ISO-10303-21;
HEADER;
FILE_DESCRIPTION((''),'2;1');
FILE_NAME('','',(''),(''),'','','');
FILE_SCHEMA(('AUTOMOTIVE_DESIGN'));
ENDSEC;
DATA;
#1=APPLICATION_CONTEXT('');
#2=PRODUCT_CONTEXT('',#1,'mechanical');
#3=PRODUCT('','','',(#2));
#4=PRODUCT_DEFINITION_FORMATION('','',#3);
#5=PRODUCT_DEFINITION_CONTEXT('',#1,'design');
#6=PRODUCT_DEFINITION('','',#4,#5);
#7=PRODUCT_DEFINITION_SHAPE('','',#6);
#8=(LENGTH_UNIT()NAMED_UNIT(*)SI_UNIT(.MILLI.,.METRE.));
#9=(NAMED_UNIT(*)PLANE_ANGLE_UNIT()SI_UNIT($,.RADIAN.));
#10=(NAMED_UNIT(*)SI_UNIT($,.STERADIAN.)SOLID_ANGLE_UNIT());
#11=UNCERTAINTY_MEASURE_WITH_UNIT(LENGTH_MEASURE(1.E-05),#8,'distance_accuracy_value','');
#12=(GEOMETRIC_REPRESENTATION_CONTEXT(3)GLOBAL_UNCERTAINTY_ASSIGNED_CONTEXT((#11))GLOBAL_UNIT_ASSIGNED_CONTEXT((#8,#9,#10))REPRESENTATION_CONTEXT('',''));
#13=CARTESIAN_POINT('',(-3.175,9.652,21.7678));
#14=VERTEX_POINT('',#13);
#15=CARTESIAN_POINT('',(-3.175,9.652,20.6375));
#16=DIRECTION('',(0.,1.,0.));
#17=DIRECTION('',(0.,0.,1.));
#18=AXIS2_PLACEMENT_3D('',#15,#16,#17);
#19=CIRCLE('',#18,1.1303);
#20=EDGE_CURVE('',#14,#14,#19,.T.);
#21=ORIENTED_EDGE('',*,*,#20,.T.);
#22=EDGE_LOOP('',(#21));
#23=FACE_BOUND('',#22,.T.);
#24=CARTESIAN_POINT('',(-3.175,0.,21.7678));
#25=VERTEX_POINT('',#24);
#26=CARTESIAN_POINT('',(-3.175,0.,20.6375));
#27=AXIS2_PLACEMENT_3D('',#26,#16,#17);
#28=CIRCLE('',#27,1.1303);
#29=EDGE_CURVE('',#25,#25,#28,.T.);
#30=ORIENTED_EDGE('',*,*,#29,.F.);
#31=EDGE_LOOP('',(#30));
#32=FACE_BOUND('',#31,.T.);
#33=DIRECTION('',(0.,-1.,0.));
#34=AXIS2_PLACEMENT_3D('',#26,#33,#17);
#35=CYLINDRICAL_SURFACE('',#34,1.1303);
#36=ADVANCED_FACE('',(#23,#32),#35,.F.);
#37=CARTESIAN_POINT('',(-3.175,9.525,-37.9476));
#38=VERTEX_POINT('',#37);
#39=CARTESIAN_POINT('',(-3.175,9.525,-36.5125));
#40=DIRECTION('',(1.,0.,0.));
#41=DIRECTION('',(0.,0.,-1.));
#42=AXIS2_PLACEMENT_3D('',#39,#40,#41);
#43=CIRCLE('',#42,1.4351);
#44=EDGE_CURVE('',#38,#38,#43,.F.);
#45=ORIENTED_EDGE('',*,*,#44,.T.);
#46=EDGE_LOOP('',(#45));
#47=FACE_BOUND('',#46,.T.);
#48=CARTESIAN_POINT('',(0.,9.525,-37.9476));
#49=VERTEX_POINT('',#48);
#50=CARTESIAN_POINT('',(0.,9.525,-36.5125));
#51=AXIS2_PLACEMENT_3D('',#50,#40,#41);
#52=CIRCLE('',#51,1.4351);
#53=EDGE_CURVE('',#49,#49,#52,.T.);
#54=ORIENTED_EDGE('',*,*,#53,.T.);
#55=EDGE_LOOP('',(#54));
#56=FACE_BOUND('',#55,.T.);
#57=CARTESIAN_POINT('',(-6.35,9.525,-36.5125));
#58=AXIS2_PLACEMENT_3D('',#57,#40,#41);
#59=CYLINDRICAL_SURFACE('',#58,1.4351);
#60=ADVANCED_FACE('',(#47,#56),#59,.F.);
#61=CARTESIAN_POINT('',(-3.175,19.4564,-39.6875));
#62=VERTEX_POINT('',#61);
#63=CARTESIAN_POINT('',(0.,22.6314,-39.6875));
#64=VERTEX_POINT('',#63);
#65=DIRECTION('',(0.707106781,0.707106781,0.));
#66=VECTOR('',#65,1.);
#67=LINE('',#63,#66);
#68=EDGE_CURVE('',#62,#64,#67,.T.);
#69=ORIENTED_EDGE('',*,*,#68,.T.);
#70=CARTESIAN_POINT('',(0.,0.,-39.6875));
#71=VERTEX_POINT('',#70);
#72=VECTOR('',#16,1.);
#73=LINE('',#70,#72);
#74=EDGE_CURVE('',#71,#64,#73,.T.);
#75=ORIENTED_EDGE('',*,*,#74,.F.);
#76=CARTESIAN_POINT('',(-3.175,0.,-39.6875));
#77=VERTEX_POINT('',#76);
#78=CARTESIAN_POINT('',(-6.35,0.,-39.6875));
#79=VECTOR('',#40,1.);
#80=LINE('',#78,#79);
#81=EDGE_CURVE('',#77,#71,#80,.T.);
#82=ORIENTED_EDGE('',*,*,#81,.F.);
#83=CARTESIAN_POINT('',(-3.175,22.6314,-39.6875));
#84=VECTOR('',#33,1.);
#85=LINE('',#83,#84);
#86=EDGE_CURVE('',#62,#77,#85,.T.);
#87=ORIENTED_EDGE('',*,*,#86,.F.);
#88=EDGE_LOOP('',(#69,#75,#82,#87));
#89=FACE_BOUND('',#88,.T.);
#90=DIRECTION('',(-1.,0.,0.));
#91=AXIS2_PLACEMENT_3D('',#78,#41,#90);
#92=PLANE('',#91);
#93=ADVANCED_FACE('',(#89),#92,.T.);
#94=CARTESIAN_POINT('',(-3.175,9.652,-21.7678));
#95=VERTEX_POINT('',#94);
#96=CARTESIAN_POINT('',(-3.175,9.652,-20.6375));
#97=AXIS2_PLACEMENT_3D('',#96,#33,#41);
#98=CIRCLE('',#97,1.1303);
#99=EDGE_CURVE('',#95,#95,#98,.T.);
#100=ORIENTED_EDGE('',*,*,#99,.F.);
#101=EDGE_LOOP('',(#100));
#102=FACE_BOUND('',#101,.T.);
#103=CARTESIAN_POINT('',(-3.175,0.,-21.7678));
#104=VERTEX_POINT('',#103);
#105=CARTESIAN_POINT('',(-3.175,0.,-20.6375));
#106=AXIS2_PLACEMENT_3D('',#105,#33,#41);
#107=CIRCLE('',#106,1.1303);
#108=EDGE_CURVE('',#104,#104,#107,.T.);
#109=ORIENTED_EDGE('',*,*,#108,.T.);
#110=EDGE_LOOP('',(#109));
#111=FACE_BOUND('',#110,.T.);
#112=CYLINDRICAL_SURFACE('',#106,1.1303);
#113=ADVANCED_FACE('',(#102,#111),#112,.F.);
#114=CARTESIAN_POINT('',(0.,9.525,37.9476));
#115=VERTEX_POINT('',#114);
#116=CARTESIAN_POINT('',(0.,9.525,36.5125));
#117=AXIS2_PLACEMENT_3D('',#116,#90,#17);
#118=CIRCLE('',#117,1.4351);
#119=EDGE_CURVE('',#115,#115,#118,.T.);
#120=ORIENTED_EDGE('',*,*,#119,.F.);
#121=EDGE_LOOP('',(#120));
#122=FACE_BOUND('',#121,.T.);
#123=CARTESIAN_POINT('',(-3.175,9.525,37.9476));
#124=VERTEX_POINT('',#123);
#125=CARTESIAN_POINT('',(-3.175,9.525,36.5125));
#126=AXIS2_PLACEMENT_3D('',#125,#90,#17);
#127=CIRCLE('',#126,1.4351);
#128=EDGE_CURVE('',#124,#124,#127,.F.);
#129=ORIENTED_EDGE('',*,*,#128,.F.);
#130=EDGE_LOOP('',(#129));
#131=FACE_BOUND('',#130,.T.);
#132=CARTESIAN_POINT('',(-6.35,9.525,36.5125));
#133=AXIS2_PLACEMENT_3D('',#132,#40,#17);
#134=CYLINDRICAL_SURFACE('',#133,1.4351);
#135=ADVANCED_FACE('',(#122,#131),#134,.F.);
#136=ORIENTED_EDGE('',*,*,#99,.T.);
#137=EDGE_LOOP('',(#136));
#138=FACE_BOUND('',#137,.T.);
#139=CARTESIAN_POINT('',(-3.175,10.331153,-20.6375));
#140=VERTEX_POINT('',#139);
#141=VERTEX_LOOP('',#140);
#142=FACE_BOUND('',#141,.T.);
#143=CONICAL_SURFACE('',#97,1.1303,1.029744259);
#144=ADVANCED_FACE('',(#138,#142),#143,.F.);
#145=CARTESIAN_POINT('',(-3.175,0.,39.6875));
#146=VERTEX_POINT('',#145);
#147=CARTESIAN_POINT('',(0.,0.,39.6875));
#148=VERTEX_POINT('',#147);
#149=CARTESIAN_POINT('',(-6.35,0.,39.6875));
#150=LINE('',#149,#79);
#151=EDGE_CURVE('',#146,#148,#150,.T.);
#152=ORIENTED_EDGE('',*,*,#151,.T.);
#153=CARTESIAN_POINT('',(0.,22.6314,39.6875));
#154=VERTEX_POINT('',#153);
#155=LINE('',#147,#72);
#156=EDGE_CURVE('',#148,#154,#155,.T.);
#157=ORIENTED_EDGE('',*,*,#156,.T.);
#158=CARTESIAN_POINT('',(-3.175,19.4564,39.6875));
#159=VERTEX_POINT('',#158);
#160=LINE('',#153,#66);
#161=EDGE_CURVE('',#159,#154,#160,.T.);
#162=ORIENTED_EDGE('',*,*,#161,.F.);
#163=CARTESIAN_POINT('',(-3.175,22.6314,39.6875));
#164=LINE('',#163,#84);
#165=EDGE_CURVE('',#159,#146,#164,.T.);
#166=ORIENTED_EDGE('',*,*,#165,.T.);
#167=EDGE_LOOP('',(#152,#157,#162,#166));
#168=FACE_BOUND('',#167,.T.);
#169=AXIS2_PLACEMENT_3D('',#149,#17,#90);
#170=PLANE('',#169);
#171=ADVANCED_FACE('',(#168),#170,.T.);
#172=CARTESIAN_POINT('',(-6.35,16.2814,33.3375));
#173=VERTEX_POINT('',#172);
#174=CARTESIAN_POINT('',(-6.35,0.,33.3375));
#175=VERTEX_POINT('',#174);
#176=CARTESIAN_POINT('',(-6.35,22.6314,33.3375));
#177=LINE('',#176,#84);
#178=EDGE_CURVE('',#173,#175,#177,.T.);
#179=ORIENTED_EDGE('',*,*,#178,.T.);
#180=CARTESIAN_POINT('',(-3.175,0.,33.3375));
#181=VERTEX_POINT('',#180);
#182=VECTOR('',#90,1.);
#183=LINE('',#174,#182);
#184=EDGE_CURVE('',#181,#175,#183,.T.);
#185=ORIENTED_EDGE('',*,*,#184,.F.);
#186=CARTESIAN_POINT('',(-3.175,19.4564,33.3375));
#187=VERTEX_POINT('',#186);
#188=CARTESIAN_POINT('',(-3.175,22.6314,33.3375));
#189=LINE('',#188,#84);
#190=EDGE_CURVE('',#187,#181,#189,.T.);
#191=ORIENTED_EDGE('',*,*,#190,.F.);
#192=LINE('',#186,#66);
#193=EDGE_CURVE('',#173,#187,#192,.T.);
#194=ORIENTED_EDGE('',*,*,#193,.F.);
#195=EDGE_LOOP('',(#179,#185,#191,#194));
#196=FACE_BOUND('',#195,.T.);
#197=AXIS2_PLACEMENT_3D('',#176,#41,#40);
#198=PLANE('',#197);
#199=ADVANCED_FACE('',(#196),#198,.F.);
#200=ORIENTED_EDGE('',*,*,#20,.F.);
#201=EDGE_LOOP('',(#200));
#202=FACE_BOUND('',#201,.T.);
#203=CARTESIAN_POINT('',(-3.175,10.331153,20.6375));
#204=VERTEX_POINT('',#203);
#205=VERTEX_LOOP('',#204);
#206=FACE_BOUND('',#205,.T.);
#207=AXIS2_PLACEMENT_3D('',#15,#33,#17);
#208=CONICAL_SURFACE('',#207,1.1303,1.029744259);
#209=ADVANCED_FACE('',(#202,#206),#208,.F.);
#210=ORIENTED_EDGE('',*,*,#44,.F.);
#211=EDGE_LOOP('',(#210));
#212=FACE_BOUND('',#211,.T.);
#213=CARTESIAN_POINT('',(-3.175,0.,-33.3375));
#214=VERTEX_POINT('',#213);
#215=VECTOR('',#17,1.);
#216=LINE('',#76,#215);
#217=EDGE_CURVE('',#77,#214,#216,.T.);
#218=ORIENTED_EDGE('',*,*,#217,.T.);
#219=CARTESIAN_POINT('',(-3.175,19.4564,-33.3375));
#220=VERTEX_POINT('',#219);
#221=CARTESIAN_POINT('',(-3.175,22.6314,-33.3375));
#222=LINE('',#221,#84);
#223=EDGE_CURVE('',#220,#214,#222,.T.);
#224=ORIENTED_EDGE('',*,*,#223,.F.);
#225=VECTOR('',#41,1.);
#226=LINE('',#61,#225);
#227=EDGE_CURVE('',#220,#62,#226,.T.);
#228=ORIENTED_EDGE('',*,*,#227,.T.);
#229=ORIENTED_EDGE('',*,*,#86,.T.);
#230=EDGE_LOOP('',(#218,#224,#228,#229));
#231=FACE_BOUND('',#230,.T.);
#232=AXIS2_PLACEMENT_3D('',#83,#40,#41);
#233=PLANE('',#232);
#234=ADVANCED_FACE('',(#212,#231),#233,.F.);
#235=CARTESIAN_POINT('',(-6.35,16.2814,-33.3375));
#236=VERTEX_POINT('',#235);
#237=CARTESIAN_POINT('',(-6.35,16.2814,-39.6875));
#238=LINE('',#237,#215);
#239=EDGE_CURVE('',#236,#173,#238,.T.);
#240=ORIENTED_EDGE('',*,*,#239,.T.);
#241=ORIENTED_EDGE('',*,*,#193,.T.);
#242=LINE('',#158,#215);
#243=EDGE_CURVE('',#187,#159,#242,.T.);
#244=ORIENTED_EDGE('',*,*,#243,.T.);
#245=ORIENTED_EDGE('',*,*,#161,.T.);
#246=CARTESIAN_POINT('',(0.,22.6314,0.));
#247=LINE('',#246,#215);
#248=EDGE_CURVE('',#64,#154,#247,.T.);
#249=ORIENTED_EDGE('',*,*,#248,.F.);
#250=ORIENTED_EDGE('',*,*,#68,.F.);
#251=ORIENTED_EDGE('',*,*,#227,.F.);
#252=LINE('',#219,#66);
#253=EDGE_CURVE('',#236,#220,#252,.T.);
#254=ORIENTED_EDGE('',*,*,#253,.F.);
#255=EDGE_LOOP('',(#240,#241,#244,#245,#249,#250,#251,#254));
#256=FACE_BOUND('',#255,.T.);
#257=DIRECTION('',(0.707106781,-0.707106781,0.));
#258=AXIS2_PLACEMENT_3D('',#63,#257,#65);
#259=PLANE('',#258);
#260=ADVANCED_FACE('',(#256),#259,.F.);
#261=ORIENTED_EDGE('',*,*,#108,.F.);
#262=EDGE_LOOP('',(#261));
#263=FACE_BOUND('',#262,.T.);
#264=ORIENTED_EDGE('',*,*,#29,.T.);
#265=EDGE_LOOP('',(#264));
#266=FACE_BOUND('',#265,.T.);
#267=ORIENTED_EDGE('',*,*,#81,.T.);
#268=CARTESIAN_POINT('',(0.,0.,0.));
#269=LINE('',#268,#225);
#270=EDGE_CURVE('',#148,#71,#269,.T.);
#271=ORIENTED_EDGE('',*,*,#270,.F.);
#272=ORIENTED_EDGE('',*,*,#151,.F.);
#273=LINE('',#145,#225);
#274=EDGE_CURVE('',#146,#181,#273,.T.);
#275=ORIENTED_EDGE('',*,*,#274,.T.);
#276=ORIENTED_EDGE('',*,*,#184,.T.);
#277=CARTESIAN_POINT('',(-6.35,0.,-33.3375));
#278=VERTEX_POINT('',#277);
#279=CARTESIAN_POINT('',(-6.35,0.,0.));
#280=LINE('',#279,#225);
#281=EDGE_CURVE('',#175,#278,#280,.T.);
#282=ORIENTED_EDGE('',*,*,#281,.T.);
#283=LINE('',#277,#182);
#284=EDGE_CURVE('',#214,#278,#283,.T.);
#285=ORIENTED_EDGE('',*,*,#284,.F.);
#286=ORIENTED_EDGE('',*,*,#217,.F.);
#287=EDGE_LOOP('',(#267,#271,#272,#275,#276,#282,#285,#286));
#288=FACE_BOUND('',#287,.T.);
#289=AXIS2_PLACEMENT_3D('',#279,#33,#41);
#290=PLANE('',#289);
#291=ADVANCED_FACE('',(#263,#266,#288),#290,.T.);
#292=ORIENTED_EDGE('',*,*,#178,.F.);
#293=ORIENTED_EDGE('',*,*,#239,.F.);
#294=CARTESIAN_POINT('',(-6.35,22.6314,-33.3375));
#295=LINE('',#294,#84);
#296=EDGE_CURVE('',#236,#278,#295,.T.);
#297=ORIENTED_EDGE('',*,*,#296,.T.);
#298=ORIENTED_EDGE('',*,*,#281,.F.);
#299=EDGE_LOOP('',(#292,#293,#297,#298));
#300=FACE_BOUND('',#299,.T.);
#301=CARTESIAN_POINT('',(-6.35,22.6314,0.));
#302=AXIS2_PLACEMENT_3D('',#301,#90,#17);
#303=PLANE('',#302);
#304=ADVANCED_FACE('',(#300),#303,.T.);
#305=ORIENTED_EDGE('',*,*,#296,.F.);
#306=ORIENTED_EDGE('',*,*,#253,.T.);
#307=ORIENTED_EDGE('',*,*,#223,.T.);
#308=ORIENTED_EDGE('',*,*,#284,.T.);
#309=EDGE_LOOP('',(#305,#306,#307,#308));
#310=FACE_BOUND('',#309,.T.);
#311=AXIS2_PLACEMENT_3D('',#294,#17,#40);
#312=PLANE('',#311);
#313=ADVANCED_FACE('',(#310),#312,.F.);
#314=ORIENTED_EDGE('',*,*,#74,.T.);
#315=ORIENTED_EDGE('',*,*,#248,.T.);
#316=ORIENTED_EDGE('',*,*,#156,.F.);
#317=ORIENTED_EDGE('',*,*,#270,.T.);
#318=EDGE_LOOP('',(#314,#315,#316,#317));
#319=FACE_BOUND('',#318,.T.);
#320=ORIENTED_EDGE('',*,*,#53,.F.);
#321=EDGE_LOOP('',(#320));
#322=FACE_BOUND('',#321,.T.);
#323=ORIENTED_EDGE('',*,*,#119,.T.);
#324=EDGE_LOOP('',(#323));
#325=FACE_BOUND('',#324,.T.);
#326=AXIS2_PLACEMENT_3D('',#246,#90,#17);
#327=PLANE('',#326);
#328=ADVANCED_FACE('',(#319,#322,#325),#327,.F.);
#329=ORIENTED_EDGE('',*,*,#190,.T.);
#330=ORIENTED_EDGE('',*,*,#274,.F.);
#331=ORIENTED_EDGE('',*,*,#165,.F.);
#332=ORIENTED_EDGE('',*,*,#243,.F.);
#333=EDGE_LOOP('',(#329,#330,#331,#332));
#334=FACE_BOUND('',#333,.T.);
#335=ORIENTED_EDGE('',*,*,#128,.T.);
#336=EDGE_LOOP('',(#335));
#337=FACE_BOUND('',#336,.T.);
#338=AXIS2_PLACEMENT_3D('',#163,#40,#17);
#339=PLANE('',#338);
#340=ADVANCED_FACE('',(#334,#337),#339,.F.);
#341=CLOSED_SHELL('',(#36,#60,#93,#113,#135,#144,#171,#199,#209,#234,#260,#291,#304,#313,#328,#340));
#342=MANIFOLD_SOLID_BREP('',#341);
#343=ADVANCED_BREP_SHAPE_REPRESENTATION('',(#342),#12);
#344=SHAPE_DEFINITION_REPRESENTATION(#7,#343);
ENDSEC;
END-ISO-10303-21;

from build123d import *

# Parameters (mm, degrees)
SKETCH1_W                 = 39.6875
SKETCH1_H                 = 22.6314
SKETCH1_R                 = 1.4351
BOSS_EXTRUDE1_DEPTH       = 6.35
SKETCH2_W                 = 3.175
SKETCH2_H                 = 6.35
CUT_EXTRUDE1_DEPTH        = 47.125919202
CUT_EXTRUDE2_DEPTH        = 47.125919202
F_4_40_TAPPED_HOLE1_D     = 2.2606
F_4_40_TAPPED_HOLE1_DEPTH = 9.652
F_4_40_TAPPED_HOLE1_TIP   = 0.679152758


with BuildPart() as part:
    # Sketch1 → Boss-Extrude1 (new body)
    with BuildSketch(Plane(origin=(0, 0, 0), x_dir=(0, 0, -1), z_dir=(1, 0, 0))):
        with Locations((19.84375, 11.3157)):
            Rectangle(SKETCH1_W, SKETCH1_H)
        with Locations((36.5125, 9.525)):
            Circle(SKETCH1_R, mode=Mode.SUBTRACT)
    extrude(amount=-BOSS_EXTRUDE1_DEPTH)

    # Sketch2 → Cut-Extrude1 (cut, through all)
    with BuildSketch(Plane.XZ):
        with Locations((-4.7625, -36.5125)):
            Rectangle(SKETCH2_W, SKETCH2_H)
    extrude(amount=-CUT_EXTRUDE1_DEPTH, mode=Mode.SUBTRACT)

    # Sketch3 → Cut-Extrude2 (cut, through all)
    with BuildSketch(Plane.XY):
        Polygon((0, 22.6314), (-6.35, 16.2814), (-6.35, 22.6314), align=None)
    extrude(amount=-CUT_EXTRUDE2_DEPTH, mode=Mode.SUBTRACT)

    # #4-40 Tapped Hole1
    with Locations(Plane.XZ):
        with Locations((-3.175, -20.6375)):
            Hole(F_4_40_TAPPED_HOLE1_D / 2, depth=F_4_40_TAPPED_HOLE1_DEPTH)
            with Locations((0, 0, -(F_4_40_TAPPED_HOLE1_DEPTH + F_4_40_TAPPED_HOLE1_TIP / 2))):  # 118° drill point
                Cone(0, F_4_40_TAPPED_HOLE1_D / 2, F_4_40_TAPPED_HOLE1_TIP, mode=Mode.SUBTRACT)

    # Mirror1: part across plane


with BuildPart() as part_1:
    add(part.part)
    add(part.part.mirror(Plane(origin=(-6.35, 0, 0), x_dir=(1, 0, 0), z_dir=(0, 0, 1))))


solid = part_1.part
